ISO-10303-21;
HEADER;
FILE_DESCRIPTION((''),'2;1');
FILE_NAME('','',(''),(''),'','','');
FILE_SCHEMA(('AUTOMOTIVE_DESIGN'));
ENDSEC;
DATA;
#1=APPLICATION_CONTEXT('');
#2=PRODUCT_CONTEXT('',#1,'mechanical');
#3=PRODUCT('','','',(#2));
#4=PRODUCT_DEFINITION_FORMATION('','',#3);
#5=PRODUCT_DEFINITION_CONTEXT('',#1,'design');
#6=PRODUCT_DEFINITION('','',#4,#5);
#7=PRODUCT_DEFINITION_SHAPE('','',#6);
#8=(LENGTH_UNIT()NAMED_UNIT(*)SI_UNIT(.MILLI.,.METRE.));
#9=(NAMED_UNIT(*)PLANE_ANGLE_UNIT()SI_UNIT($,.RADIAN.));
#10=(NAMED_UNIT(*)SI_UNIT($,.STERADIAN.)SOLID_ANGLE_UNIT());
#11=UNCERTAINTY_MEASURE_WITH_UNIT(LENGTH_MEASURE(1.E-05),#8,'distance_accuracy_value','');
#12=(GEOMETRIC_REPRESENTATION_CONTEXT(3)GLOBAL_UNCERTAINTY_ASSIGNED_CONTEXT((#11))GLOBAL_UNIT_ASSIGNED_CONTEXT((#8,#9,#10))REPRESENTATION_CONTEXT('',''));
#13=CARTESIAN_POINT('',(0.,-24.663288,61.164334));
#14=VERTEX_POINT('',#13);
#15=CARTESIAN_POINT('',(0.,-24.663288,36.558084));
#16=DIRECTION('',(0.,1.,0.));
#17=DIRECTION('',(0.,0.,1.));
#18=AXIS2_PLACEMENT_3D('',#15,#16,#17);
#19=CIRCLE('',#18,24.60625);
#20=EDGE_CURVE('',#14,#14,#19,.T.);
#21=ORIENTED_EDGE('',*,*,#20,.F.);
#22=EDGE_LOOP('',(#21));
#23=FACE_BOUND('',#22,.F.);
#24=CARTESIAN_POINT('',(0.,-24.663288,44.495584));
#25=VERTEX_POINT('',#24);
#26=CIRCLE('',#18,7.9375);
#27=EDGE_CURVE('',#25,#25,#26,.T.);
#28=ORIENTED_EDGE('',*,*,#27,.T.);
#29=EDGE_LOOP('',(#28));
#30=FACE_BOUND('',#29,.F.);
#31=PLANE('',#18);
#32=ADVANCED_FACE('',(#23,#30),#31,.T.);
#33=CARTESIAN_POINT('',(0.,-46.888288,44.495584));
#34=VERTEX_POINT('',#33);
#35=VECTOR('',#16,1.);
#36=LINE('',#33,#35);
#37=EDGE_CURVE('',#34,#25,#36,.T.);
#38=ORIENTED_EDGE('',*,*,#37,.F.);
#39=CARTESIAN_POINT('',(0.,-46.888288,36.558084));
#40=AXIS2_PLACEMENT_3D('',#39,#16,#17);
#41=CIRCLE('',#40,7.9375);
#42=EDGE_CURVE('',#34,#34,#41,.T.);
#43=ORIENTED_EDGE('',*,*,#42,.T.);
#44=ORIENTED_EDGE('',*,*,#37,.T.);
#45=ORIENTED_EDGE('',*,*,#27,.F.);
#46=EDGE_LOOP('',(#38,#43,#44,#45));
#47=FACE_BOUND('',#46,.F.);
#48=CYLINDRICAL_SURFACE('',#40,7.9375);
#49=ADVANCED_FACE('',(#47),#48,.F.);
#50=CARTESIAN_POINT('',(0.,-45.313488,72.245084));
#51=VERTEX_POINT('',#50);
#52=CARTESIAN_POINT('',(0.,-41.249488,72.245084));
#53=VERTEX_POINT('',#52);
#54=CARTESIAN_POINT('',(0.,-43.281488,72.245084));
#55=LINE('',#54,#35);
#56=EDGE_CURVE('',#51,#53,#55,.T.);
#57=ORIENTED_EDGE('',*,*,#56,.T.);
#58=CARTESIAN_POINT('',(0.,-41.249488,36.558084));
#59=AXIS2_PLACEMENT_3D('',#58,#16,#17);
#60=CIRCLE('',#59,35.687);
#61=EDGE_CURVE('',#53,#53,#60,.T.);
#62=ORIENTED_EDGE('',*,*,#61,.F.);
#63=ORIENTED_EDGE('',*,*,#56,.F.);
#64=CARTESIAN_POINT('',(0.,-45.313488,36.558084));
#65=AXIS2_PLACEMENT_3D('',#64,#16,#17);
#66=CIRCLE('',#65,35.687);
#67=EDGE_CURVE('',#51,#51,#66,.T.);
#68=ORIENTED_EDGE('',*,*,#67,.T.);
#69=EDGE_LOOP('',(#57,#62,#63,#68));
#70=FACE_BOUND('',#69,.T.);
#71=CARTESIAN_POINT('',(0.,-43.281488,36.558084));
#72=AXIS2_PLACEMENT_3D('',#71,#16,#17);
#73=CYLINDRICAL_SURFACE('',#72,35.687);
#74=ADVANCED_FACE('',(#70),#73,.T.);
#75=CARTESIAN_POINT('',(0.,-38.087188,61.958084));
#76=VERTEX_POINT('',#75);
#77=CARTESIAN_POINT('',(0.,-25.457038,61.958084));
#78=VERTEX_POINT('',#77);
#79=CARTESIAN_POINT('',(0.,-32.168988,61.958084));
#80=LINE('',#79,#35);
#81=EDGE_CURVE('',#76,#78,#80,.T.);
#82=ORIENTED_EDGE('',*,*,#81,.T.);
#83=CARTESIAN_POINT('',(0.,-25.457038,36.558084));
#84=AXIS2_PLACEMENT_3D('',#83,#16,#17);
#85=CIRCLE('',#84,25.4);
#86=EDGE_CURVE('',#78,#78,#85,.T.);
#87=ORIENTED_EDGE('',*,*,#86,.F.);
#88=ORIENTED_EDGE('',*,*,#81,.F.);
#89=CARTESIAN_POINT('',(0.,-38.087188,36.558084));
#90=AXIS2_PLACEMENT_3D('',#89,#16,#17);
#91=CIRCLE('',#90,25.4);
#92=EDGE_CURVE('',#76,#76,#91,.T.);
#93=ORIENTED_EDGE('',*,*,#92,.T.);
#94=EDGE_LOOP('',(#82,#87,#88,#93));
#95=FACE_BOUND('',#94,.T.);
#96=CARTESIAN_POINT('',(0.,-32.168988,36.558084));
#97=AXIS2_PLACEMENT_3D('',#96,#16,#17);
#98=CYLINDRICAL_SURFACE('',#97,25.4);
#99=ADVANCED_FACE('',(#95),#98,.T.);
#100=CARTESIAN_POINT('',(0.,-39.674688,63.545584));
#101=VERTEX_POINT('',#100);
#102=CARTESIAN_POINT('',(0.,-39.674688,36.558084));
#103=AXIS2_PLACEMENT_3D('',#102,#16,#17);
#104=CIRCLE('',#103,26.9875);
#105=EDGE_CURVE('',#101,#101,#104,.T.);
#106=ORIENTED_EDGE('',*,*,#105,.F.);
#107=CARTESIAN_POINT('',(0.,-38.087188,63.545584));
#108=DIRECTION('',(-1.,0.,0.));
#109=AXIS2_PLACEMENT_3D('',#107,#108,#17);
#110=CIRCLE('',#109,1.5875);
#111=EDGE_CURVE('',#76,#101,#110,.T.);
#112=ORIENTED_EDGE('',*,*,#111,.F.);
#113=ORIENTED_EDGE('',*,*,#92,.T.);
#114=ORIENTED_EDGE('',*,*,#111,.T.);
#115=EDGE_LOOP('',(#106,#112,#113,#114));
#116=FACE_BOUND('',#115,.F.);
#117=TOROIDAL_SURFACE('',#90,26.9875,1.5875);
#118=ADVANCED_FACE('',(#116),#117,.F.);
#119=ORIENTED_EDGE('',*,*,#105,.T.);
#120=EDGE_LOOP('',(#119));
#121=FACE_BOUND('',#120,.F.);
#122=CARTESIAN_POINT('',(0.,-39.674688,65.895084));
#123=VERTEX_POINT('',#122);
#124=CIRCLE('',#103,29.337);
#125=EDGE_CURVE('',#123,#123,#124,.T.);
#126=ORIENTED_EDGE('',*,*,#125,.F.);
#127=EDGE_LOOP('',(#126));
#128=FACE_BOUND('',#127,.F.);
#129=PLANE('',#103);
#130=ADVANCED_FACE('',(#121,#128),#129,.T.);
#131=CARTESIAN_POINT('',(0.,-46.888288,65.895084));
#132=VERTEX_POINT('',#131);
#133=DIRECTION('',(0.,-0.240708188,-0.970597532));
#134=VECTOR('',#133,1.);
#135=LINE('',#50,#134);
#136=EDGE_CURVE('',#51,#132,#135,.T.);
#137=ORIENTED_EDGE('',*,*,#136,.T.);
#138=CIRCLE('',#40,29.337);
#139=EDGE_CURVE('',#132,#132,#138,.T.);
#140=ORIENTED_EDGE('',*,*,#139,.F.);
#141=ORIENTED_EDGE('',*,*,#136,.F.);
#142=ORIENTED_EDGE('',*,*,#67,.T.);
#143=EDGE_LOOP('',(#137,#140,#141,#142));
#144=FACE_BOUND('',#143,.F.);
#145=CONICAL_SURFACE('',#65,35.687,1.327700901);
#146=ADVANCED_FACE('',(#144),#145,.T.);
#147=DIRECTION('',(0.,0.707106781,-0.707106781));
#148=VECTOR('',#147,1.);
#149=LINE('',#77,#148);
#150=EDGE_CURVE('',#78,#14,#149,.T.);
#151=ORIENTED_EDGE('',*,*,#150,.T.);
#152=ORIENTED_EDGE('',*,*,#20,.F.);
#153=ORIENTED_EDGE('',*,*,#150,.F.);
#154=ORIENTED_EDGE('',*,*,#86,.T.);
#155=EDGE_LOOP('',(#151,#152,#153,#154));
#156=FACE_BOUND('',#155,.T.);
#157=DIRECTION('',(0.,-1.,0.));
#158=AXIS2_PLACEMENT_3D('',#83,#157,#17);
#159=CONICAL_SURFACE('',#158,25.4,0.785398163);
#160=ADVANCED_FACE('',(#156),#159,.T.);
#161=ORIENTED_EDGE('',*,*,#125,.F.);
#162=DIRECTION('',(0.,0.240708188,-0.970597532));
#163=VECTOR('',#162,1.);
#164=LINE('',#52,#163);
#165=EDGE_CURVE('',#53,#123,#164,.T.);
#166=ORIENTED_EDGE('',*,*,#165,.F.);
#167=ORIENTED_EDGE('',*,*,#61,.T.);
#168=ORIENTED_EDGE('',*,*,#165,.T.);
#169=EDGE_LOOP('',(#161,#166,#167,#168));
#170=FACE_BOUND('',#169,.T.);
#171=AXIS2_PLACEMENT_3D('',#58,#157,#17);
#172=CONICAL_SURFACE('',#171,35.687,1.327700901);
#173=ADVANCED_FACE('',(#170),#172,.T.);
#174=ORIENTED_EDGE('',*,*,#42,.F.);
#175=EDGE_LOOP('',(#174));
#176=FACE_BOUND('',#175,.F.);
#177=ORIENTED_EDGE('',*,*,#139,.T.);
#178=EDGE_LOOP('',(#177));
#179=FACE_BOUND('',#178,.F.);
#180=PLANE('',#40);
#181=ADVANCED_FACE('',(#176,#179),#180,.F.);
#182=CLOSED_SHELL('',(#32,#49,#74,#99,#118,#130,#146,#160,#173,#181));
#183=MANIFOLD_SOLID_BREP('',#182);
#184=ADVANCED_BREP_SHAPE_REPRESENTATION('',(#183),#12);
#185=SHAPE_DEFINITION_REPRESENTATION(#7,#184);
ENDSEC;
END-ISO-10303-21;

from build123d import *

# Parameters (mm, degrees)
F0_W     = 7.2136
F0_H     = 10.287
F0_H_2   = 17.4625
F0_W_2   = 15.0114
F2_R     = 1.5875
F3_SIZE  = 0.79375
F4_SIZE2 = 6.35
F4_SIZE  = 1.5748


with BuildPart() as f1:
    # F0 (on Right) → F1 (revolve)
    with BuildSketch(Plane.YZ):
        with Locations((-43.2814875573, 67.1015841899)):
            Rectangle(F0_W, F0_H)
        with Locations((-43.2814875573, 53.2268341899)):
            Rectangle(F0_W, F0_H_2)
        with Locations((-32.1689875573, 53.2268341899)):
            Rectangle(F0_W_2, F0_H_2)
    revolve(axis=Axis((0, -35.7757875573, 36.5580841899), (0, 1, 0)))

    # F2
    f2_edges = [f1.edges().sort_by_distance(p)[0] for p in [
        (0, -39.674688, 11.158084),
    ]]
    fillet(f2_edges, radius=F2_R)

    # F3
    f3_edges = [f1.edges().sort_by_distance(p)[0] for p in [
        (0, -24.663288, 11.158084),
    ]]
    chamfer(f3_edges, length=F3_SIZE)

    # F4
    f4_edges = [f1.edges().sort_by_distance(p)[0] for p in [
        (0, -46.888288, 0.871084),
        (0, -39.674688, 0.871084),
    ]]
    f4_side = f1.faces().sort_by_distance((0, -43.281488, 0.871084))[0]
    chamfer(f4_edges, length=F4_SIZE, length2=F4_SIZE2, reference=f4_side)


solid = f1.part
